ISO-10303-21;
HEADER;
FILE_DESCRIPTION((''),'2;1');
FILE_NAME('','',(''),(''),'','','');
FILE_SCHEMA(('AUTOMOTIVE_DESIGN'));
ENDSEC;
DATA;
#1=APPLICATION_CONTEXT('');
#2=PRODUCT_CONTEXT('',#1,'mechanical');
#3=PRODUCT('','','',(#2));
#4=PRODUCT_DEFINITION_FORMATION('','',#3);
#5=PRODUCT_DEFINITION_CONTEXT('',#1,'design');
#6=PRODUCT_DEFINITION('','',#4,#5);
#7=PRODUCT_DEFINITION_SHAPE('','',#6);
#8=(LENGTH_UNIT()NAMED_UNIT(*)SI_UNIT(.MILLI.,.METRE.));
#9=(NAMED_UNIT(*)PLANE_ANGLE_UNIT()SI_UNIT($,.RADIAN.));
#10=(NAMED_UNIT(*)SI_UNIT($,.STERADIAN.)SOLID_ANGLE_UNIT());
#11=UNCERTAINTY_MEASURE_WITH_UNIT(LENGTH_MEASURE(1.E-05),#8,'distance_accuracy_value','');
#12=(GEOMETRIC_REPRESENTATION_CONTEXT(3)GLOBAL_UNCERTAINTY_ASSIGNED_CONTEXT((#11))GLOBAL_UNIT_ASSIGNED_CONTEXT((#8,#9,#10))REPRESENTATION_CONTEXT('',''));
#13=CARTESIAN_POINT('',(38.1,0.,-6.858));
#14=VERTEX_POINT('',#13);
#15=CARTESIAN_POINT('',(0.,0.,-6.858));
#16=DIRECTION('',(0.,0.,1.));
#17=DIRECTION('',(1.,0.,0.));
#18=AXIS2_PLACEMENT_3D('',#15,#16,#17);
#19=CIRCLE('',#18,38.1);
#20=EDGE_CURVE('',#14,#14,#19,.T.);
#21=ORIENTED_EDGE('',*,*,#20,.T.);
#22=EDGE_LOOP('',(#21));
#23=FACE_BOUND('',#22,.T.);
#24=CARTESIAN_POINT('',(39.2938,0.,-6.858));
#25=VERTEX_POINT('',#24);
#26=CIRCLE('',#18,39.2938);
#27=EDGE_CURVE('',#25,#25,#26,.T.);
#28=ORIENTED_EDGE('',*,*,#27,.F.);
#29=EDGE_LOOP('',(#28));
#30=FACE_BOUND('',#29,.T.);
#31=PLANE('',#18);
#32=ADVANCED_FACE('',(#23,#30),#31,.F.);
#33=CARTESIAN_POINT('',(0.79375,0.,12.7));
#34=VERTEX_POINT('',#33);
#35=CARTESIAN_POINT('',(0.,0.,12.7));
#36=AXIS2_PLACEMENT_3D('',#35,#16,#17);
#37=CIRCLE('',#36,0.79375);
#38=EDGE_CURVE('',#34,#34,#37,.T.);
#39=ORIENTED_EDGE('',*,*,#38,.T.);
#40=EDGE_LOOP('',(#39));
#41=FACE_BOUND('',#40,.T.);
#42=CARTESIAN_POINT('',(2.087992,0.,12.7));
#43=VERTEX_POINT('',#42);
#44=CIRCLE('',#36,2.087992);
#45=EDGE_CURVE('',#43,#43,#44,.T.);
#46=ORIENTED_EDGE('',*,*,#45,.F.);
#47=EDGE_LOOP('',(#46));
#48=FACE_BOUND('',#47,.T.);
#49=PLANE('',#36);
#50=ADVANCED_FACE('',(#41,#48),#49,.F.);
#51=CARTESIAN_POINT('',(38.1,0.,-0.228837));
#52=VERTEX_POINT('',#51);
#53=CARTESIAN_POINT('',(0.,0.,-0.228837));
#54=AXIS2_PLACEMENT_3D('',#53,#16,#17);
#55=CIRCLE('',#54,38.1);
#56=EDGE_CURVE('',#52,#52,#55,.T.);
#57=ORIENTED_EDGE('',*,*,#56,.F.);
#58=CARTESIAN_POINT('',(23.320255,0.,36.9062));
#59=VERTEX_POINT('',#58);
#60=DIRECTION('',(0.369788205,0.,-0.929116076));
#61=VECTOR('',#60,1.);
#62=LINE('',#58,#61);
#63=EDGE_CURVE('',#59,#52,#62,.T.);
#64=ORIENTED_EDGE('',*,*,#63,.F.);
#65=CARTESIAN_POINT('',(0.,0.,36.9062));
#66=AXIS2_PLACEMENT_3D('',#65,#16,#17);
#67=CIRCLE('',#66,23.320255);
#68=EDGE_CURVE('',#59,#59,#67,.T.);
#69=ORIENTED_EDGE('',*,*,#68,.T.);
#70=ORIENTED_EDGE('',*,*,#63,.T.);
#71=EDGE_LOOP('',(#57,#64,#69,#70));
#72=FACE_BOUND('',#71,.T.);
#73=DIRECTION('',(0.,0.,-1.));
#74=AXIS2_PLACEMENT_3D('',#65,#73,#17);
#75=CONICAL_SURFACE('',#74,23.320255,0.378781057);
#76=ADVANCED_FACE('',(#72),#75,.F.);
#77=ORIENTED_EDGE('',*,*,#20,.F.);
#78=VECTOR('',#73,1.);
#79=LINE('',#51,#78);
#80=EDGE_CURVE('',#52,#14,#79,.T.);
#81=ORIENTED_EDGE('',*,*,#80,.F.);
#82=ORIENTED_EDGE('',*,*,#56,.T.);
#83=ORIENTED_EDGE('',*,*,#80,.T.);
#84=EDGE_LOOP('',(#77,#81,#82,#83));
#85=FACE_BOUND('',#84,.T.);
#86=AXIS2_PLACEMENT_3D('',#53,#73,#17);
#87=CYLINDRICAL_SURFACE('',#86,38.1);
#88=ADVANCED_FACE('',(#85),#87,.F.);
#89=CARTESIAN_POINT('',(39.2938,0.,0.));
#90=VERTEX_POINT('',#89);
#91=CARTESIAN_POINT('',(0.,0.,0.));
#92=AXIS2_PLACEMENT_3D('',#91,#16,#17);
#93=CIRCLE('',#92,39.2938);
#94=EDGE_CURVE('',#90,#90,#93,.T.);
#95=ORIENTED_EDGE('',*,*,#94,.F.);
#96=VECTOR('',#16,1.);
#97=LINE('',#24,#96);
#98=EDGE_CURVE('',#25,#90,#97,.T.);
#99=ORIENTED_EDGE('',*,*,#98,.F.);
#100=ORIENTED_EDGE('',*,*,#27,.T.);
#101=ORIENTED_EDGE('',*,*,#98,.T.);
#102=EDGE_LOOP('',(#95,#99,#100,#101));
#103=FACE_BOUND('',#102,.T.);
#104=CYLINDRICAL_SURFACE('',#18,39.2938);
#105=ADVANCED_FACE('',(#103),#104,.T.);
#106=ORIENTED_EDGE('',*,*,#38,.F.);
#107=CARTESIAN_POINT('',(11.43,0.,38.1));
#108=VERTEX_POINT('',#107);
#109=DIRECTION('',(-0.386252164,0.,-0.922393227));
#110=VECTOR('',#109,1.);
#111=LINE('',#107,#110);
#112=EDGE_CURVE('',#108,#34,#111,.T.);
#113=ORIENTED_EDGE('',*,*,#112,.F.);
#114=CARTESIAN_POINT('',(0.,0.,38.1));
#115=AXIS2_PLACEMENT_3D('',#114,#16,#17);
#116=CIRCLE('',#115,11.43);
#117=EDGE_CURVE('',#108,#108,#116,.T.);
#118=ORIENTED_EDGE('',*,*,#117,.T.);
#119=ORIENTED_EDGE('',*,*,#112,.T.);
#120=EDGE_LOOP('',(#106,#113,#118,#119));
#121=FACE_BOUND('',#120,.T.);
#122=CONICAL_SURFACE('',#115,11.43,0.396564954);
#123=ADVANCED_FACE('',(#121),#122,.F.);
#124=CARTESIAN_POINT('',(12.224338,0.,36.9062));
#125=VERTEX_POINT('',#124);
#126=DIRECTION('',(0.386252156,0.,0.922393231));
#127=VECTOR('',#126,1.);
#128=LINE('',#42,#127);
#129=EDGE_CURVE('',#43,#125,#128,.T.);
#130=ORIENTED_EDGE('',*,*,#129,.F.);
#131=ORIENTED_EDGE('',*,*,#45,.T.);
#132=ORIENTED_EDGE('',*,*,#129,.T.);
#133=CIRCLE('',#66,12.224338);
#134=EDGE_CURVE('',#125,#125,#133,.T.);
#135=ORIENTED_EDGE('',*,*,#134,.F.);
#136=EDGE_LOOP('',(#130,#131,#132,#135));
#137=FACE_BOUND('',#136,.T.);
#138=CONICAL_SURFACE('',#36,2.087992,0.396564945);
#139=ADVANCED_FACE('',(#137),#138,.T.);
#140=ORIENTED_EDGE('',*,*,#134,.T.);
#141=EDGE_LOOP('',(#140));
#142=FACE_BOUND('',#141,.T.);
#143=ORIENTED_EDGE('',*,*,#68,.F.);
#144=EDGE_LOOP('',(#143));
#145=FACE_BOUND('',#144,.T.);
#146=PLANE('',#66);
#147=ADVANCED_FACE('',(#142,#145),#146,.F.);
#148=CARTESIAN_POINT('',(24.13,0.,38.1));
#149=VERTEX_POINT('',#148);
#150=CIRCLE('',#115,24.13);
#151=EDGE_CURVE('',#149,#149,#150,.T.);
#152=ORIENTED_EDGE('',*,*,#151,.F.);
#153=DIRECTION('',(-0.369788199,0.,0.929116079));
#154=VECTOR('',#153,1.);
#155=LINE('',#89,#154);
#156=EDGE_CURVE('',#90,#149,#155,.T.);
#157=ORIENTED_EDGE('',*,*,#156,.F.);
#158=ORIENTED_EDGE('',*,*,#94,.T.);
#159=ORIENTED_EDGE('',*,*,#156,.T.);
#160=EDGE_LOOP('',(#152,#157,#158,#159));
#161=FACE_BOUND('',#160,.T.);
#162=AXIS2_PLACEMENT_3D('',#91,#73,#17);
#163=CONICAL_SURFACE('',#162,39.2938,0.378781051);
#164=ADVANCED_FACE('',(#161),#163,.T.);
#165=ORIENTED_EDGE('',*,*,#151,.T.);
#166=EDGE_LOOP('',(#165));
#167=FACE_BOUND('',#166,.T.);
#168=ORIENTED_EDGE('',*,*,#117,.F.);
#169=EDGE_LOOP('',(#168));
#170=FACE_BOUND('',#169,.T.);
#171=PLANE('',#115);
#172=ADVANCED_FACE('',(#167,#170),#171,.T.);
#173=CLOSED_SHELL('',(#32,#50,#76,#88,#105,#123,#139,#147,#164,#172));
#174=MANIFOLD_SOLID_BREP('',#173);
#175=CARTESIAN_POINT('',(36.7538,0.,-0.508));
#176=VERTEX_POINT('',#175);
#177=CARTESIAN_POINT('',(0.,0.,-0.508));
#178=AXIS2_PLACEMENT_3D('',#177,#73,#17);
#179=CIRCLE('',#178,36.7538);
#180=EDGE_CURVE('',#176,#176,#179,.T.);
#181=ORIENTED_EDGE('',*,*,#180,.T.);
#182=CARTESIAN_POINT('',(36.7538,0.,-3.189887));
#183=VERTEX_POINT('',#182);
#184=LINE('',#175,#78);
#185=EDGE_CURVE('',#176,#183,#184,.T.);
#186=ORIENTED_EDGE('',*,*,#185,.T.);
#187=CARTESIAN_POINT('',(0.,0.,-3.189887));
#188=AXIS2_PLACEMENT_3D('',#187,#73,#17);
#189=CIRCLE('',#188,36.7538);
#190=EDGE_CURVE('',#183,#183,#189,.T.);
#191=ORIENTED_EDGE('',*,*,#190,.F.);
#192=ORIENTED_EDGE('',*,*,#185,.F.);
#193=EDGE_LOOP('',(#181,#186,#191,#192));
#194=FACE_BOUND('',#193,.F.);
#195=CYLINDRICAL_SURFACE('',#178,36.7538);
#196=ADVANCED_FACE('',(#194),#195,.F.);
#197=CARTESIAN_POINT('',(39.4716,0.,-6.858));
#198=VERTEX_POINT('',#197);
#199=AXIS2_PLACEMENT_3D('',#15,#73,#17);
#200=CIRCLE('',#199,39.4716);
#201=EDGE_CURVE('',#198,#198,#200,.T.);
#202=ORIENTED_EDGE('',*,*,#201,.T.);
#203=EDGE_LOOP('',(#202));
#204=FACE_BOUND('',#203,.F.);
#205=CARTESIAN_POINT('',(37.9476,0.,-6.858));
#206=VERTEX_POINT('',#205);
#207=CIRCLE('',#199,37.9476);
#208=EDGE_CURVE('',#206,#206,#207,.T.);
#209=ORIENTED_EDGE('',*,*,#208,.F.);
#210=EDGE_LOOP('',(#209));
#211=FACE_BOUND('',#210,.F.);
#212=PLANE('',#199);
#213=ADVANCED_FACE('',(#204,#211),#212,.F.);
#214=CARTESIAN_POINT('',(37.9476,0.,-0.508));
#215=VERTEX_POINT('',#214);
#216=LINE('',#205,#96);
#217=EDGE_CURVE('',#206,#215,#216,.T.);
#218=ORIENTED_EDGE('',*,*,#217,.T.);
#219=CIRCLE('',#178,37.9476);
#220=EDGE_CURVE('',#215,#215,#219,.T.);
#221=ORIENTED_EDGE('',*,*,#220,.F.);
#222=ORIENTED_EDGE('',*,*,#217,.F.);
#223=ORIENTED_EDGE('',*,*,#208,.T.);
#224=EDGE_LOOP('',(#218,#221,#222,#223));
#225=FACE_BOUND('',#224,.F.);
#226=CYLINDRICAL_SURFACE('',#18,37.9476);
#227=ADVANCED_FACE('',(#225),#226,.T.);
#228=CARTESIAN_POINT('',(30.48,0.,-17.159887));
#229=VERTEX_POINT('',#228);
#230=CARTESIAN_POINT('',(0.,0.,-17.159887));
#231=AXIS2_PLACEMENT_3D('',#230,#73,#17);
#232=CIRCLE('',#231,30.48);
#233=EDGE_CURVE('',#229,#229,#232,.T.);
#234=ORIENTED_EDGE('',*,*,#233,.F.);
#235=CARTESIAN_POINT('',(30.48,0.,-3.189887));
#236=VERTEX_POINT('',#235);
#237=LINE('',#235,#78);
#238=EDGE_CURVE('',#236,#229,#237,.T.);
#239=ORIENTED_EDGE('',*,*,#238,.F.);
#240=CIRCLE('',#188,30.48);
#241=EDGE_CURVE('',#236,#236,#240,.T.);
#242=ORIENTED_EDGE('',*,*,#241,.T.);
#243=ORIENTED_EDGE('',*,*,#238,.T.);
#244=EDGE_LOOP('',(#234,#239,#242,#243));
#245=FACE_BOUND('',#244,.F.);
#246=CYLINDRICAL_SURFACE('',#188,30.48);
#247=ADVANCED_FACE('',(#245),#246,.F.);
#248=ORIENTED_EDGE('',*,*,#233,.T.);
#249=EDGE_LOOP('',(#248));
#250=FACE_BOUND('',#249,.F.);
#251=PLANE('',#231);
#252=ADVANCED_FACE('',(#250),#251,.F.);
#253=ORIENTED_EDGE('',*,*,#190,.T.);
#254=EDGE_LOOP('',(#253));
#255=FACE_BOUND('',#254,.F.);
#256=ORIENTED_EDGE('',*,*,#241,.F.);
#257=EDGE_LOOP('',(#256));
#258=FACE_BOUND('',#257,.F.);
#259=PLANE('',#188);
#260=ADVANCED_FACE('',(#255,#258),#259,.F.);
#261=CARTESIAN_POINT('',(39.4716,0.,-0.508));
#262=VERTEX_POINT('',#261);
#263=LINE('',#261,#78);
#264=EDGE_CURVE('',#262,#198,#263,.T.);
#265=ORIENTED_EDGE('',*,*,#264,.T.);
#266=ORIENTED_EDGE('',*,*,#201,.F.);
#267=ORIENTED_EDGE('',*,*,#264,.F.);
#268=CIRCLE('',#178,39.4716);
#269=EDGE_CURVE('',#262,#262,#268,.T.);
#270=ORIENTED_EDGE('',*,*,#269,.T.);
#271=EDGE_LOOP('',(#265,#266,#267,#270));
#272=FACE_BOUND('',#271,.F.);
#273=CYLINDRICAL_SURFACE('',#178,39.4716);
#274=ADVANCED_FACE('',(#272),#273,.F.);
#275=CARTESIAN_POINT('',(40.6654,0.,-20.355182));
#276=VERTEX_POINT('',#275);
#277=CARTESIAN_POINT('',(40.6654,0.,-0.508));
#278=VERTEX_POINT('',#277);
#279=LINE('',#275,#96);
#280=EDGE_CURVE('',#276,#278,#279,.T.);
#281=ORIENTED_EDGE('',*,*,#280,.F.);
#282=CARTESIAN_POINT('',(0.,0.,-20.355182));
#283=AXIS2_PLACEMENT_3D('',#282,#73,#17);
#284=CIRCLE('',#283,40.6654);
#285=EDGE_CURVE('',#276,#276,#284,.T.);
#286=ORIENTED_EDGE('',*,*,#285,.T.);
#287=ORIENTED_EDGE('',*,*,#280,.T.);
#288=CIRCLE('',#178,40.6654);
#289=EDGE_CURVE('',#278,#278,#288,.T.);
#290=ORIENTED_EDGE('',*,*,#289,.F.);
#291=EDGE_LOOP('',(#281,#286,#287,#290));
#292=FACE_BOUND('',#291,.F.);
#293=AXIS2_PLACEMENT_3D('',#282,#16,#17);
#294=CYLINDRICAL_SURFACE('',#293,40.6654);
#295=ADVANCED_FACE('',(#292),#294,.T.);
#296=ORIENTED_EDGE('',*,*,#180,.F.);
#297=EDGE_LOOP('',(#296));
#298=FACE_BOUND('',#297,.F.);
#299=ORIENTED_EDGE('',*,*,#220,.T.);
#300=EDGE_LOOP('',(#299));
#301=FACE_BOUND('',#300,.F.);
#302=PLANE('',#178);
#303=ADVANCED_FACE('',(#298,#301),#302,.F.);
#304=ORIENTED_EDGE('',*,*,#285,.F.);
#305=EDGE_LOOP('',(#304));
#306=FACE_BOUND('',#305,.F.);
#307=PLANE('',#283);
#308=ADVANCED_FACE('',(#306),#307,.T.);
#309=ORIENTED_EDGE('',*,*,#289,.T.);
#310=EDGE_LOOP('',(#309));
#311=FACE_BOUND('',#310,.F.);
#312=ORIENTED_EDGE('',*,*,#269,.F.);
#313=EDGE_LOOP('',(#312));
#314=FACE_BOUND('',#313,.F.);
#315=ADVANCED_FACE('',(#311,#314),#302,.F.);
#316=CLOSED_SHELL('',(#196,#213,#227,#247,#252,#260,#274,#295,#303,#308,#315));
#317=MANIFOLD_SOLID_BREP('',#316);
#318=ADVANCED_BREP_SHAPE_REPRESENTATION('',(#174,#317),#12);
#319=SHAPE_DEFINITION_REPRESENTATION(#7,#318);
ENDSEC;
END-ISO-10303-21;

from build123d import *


with BuildPart() as f2:
    # F0 (on Front) → F2 (revolve)
    with BuildSketch(Plane.XZ):
        Polygon((39.2938, -6.858), (39.2938, 0), (24.13, 38.1), (11.43, 38.1), (0.79375, 12.7), (2.087992, 12.7), (12.224338, 36.9062), (23.320255, 36.9062), (38.1, -0.228837), (38.1, -6.858), align=None)
    revolve(axis=Axis((0, 0, 30.824983), (0, 0, 1)))


with BuildPart() as f5:
    # F3 (on Front) → F5 (revolve)
    with BuildSketch(Plane.XZ):
        Polygon((40.6654, -20.355182), (40.6654, -0.508), (39.4716, -0.508), (39.4716, -6.858), (37.9476, -6.858), (37.9476, -0.508), (36.7538, -0.508), (36.7538, -3.189887), (30.48, -3.189887), (30.48, -17.159887), (0, -17.159887), (0, -20.355182), align=None)
    revolve(axis=Axis((0, 0, -6.985675), (0, 0, -1)))


solid = Compound([f2.part, f5.part])
